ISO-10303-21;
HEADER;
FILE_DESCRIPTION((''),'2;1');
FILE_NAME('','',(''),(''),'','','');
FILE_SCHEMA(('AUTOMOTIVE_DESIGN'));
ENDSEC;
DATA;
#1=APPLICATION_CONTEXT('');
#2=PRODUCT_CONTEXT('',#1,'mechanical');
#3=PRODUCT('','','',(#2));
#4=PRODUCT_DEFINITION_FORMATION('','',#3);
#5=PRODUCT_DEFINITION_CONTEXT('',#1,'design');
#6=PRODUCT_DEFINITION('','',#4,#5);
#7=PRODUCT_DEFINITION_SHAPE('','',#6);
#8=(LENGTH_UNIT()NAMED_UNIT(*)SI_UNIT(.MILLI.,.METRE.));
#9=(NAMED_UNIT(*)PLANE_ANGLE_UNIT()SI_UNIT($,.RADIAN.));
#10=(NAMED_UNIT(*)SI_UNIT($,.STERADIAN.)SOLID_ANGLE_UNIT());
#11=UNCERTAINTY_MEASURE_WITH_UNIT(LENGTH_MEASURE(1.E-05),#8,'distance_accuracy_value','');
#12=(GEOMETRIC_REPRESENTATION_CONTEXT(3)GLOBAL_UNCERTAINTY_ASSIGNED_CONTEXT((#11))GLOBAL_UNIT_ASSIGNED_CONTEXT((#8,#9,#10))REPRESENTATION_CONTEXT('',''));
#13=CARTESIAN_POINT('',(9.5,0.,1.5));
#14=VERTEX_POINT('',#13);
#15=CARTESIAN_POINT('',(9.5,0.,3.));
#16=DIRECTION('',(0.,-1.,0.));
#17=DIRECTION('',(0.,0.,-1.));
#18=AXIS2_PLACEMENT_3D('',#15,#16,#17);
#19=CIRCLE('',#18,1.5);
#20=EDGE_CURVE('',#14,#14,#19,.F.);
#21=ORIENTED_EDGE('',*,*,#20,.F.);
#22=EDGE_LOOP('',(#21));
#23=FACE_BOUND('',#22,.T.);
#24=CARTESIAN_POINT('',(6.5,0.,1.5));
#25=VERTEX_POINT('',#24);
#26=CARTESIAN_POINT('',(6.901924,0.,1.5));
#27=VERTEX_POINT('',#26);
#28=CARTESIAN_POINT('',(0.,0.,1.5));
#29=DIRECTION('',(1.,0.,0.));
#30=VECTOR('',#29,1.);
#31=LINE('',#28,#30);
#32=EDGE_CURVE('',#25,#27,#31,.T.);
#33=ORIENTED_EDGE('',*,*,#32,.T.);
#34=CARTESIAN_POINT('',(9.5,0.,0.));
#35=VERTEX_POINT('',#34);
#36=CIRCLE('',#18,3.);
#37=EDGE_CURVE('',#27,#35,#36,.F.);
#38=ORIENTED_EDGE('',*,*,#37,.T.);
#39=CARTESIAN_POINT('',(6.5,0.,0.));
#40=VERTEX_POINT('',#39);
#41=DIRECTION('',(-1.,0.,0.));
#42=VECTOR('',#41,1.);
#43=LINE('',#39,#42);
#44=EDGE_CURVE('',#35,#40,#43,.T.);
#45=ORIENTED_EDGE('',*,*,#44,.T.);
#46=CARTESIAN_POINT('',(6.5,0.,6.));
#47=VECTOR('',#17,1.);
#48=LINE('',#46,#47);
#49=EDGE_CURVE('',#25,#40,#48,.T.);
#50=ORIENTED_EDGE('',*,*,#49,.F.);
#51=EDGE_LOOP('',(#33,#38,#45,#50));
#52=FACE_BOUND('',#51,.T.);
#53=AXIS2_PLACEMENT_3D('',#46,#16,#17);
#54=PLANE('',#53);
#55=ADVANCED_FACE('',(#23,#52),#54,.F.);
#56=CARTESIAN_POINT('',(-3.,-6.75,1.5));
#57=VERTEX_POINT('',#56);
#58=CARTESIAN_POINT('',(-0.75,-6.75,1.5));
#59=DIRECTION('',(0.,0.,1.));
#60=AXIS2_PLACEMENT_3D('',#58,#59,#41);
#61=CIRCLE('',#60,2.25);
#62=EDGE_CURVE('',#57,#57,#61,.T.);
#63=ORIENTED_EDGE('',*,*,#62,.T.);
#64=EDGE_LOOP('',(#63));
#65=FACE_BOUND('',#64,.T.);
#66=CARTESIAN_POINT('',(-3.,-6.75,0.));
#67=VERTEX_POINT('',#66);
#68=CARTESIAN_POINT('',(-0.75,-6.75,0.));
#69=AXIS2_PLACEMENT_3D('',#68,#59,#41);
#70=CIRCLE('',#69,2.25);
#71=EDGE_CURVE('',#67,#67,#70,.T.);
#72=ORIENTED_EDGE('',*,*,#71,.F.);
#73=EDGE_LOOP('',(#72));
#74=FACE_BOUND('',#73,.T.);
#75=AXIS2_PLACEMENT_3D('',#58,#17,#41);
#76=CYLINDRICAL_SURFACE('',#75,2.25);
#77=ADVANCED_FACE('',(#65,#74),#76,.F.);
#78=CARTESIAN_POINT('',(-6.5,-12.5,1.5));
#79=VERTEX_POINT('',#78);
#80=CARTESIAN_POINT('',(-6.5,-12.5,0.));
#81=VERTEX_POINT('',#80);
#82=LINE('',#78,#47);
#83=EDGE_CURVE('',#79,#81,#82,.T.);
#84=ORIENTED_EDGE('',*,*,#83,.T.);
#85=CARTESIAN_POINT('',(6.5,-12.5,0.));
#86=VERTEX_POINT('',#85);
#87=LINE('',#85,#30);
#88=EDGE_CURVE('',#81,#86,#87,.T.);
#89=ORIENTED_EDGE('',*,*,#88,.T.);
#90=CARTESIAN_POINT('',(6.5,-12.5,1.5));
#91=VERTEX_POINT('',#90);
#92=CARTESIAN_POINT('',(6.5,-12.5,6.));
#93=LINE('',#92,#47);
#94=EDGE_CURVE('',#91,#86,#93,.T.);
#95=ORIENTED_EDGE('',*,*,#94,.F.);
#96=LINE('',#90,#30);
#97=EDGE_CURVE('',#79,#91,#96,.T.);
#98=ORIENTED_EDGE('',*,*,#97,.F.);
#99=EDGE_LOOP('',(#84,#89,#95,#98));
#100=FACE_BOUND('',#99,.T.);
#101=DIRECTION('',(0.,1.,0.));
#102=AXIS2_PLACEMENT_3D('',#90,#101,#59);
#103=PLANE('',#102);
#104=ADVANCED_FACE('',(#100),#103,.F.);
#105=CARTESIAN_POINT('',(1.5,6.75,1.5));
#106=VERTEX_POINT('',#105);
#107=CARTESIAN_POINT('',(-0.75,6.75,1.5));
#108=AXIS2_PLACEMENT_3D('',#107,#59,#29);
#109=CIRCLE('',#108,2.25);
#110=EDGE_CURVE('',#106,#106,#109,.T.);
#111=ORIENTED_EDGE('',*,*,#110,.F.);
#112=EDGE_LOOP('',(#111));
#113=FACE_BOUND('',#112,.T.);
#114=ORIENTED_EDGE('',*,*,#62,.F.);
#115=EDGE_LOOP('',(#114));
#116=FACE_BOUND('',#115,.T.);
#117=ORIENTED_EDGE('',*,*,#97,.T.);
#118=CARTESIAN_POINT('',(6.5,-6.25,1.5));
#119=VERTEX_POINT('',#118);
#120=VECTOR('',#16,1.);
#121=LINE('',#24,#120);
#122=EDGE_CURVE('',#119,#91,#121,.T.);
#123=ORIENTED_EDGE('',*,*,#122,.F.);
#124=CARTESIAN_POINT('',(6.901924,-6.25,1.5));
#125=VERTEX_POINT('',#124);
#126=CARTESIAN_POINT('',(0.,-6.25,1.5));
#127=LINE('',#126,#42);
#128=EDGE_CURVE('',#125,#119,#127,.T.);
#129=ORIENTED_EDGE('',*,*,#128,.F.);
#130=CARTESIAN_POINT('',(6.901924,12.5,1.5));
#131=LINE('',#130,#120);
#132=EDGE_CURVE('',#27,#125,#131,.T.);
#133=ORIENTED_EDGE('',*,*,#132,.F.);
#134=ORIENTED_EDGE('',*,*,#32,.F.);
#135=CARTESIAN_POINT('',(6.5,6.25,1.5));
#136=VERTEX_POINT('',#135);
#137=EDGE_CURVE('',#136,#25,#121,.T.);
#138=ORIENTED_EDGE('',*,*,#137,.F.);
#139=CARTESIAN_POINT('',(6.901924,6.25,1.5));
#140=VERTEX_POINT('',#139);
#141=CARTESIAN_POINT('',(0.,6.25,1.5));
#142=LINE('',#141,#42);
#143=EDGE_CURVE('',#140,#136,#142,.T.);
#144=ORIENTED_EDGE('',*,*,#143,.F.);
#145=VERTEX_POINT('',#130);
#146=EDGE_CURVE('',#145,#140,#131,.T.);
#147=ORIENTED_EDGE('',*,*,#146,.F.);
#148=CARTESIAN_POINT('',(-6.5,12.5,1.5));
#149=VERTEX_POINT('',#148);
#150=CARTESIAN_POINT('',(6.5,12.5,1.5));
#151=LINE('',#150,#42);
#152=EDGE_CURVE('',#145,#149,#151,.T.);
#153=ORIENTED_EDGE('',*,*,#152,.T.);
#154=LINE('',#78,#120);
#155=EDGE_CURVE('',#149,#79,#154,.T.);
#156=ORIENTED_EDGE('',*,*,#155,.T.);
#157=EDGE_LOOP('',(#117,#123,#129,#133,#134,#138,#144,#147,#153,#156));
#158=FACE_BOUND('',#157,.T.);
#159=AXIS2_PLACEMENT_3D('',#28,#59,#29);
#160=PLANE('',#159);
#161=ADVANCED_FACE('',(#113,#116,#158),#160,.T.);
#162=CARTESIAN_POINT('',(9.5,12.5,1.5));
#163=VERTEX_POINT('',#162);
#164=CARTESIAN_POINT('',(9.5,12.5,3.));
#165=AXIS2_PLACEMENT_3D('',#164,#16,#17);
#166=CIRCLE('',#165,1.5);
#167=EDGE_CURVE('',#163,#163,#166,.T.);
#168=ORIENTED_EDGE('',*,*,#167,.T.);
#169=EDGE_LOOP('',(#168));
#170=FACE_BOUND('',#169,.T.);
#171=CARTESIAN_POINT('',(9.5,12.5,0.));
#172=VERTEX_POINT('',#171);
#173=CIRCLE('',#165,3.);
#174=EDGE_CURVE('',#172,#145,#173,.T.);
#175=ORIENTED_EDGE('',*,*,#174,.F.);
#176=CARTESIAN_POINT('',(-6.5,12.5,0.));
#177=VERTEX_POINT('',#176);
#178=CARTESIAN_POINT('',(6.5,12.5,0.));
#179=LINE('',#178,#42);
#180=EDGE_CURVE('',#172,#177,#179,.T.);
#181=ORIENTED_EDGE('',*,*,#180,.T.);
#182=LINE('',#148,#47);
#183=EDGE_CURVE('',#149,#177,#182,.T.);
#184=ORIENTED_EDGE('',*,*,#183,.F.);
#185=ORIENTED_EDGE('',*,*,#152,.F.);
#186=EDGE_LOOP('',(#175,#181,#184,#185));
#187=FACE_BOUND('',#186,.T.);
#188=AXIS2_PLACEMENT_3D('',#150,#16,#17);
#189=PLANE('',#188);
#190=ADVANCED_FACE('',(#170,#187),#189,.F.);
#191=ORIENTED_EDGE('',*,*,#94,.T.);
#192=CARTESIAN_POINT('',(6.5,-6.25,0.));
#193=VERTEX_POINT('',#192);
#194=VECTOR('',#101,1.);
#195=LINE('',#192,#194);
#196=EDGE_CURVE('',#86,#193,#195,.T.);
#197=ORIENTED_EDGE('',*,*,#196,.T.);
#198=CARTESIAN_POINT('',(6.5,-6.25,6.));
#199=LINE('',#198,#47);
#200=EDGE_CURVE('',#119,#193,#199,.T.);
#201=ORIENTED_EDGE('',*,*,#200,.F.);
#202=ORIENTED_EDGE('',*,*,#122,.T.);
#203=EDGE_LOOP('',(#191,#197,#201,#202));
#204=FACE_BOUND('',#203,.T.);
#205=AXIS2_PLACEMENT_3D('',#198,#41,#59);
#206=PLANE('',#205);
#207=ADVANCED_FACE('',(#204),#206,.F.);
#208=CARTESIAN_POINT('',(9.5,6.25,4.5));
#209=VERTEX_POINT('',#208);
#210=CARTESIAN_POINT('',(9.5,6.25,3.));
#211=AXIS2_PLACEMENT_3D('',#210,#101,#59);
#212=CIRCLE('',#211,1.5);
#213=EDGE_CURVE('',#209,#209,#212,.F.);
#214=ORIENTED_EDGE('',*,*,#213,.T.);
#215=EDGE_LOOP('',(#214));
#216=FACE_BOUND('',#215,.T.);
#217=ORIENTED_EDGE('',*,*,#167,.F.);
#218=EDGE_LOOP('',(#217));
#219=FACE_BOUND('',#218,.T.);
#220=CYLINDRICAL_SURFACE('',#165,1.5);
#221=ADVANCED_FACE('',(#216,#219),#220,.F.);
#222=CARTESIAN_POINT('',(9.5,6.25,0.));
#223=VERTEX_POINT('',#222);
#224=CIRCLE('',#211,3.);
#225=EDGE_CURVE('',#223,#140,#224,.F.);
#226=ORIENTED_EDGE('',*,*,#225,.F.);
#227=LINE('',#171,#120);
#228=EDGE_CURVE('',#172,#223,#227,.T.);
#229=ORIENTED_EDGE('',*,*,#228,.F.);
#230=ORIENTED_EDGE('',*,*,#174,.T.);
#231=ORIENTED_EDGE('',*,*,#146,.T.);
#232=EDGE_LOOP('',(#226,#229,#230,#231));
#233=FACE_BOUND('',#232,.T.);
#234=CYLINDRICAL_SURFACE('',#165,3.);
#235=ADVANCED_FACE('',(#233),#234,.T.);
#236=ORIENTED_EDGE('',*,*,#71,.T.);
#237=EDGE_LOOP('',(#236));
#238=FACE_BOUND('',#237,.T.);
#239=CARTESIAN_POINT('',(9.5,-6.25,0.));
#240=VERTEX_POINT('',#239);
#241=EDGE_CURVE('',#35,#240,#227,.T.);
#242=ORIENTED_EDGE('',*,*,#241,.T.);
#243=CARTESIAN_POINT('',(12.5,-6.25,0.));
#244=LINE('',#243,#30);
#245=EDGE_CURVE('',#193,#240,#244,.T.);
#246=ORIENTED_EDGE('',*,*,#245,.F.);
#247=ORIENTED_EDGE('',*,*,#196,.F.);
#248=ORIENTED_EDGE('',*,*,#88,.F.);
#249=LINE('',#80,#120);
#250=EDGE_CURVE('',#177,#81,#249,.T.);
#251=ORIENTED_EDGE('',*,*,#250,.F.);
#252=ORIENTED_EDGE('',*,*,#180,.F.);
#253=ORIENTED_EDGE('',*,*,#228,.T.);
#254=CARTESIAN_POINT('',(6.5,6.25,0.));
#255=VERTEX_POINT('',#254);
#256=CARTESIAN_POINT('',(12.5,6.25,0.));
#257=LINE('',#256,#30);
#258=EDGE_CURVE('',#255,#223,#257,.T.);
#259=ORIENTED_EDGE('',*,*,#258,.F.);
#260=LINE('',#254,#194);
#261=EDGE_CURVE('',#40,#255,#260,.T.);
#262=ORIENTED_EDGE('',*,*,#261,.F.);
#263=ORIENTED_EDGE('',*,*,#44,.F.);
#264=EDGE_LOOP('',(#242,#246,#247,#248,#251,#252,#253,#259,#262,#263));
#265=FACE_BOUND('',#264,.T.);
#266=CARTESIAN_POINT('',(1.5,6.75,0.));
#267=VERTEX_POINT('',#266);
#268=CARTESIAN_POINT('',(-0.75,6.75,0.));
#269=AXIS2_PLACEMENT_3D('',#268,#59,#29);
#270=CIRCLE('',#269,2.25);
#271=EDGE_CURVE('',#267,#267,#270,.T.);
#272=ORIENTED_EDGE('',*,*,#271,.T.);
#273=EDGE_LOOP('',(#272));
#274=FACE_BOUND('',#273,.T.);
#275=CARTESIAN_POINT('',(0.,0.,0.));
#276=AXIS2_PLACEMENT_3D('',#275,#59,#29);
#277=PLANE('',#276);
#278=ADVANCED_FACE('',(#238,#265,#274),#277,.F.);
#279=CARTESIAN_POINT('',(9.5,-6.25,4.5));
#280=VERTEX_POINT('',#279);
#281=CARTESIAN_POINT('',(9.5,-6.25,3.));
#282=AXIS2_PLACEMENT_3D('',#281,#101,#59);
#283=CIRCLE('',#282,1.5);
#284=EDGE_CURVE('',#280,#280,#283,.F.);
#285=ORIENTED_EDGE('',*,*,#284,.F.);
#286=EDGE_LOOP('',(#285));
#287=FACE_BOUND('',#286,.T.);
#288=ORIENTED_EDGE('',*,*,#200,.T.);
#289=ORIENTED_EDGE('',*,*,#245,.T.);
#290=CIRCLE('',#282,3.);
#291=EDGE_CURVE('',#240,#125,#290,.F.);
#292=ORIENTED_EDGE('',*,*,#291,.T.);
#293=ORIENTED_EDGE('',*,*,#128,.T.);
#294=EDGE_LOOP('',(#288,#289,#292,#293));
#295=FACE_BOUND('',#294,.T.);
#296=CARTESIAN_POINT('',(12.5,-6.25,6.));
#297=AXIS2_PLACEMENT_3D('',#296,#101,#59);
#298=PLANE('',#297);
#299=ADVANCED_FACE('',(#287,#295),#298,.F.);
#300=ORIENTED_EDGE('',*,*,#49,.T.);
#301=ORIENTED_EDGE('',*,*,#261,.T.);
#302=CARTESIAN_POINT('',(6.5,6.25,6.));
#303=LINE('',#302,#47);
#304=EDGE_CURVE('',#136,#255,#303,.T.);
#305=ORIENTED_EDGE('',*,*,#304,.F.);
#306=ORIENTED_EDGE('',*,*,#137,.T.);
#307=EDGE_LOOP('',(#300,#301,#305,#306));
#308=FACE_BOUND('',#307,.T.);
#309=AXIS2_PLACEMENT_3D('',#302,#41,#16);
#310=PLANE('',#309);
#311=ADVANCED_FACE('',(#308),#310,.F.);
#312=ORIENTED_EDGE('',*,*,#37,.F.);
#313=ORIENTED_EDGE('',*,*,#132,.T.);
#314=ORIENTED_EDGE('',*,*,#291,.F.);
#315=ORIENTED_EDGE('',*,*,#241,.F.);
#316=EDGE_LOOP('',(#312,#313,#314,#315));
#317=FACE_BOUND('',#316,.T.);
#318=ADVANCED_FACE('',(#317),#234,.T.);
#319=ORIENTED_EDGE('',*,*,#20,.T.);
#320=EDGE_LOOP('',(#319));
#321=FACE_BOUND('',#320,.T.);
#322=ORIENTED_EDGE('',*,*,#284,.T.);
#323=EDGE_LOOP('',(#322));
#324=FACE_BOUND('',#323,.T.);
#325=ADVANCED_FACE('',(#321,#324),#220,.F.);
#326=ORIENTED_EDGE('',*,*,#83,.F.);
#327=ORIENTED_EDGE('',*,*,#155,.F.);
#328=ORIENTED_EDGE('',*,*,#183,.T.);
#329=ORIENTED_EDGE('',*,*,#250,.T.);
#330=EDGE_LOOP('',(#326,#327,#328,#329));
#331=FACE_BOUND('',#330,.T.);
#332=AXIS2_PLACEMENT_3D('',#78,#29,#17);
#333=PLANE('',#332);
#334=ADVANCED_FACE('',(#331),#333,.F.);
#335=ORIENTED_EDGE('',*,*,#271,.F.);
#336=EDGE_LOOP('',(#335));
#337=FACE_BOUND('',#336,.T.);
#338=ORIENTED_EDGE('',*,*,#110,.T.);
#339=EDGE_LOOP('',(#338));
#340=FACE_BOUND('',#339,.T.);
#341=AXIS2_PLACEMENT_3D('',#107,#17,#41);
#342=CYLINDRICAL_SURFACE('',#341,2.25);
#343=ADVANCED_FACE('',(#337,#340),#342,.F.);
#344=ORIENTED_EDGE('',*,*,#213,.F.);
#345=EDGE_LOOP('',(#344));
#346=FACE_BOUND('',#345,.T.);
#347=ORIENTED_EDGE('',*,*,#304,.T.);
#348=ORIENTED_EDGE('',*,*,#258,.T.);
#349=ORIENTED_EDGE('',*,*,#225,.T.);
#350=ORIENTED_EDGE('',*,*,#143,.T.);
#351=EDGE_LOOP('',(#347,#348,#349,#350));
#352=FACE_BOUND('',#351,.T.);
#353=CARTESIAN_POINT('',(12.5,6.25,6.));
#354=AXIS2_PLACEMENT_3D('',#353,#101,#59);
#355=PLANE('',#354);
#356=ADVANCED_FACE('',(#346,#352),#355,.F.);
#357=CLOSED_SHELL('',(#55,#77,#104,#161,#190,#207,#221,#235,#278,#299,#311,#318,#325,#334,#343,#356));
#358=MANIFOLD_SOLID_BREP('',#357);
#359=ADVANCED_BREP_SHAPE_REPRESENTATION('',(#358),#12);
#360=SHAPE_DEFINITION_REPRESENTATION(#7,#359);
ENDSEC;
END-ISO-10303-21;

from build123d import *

# Parameters (mm, degrees)
SKETCH_1_W          = 13
SKETCH_1_H          = 25
SKETCH_1_R          = 2.25
EXTRUDE_1_DEPTH     = 1.5
SKETCH_2_R          = 3
SKETCH_2_R_2        = 1.5
EXTRUDE_2_DEPTH     = 25
SKETCH_3_W          = 3
SKETCH_3_H          = 25
EXTRUDE_3_DEPTH     = 1.5
SKETCH_4_W          = 6
SKETCH_4_H          = 6.25
CUT_EXTRUDE_1_DEPTH = 7


with BuildPart() as part:
    # 草图1 → 凸台-拉伸1 (new body)
    with BuildSketch(Plane.XY):
        Rectangle(SKETCH_1_W, SKETCH_1_H)
        with Locations((-0.75, 6.75)):
            Circle(SKETCH_1_R, mode=Mode.SUBTRACT)
        with Locations((-0.75, -6.75)):
            Circle(SKETCH_1_R, mode=Mode.SUBTRACT)
    extrude(amount=EXTRUDE_1_DEPTH)



with BuildPart() as body_2:
    # 草图2 → 凸台-拉伸2 (new body)
    with BuildSketch(Plane.XZ.offset(12.5)):
        with Locations((9.5, 3)):
            Circle(SKETCH_2_R)
        with Locations((9.5, 3)):
            Circle(SKETCH_2_R_2, mode=Mode.SUBTRACT)
    extrude(amount=-EXTRUDE_2_DEPTH)


with BuildPart() as part_1:
    add(part.part)

    add(body_2.part)  # 凸台-拉伸3 merges body 2
    # 草图3 → 凸台-拉伸3 (add)
    with BuildSketch(Plane(origin=(0, 0, 0), x_dir=(-1, 0, 0), z_dir=(0, 0, -1))):
        with Locations((-8, 0)):
            Rectangle(SKETCH_3_W, SKETCH_3_H)
    extrude(amount=-EXTRUDE_3_DEPTH)

    # 草图4 → 切除-拉伸1 (cut, through all)
    with BuildSketch(Plane(origin=(0, 0, 0), x_dir=(-1, 0, 0), z_dir=(0, 0, -1))):
        with Locations((-9.5, -9.375)):
            Rectangle(SKETCH_4_W, SKETCH_4_H)
        with Locations((-9.5, 3.125)):
            Rectangle(SKETCH_4_W, SKETCH_4_H)
    extrude(amount=-CUT_EXTRUDE_1_DEPTH, mode=Mode.SUBTRACT)


solid = part_1.part
